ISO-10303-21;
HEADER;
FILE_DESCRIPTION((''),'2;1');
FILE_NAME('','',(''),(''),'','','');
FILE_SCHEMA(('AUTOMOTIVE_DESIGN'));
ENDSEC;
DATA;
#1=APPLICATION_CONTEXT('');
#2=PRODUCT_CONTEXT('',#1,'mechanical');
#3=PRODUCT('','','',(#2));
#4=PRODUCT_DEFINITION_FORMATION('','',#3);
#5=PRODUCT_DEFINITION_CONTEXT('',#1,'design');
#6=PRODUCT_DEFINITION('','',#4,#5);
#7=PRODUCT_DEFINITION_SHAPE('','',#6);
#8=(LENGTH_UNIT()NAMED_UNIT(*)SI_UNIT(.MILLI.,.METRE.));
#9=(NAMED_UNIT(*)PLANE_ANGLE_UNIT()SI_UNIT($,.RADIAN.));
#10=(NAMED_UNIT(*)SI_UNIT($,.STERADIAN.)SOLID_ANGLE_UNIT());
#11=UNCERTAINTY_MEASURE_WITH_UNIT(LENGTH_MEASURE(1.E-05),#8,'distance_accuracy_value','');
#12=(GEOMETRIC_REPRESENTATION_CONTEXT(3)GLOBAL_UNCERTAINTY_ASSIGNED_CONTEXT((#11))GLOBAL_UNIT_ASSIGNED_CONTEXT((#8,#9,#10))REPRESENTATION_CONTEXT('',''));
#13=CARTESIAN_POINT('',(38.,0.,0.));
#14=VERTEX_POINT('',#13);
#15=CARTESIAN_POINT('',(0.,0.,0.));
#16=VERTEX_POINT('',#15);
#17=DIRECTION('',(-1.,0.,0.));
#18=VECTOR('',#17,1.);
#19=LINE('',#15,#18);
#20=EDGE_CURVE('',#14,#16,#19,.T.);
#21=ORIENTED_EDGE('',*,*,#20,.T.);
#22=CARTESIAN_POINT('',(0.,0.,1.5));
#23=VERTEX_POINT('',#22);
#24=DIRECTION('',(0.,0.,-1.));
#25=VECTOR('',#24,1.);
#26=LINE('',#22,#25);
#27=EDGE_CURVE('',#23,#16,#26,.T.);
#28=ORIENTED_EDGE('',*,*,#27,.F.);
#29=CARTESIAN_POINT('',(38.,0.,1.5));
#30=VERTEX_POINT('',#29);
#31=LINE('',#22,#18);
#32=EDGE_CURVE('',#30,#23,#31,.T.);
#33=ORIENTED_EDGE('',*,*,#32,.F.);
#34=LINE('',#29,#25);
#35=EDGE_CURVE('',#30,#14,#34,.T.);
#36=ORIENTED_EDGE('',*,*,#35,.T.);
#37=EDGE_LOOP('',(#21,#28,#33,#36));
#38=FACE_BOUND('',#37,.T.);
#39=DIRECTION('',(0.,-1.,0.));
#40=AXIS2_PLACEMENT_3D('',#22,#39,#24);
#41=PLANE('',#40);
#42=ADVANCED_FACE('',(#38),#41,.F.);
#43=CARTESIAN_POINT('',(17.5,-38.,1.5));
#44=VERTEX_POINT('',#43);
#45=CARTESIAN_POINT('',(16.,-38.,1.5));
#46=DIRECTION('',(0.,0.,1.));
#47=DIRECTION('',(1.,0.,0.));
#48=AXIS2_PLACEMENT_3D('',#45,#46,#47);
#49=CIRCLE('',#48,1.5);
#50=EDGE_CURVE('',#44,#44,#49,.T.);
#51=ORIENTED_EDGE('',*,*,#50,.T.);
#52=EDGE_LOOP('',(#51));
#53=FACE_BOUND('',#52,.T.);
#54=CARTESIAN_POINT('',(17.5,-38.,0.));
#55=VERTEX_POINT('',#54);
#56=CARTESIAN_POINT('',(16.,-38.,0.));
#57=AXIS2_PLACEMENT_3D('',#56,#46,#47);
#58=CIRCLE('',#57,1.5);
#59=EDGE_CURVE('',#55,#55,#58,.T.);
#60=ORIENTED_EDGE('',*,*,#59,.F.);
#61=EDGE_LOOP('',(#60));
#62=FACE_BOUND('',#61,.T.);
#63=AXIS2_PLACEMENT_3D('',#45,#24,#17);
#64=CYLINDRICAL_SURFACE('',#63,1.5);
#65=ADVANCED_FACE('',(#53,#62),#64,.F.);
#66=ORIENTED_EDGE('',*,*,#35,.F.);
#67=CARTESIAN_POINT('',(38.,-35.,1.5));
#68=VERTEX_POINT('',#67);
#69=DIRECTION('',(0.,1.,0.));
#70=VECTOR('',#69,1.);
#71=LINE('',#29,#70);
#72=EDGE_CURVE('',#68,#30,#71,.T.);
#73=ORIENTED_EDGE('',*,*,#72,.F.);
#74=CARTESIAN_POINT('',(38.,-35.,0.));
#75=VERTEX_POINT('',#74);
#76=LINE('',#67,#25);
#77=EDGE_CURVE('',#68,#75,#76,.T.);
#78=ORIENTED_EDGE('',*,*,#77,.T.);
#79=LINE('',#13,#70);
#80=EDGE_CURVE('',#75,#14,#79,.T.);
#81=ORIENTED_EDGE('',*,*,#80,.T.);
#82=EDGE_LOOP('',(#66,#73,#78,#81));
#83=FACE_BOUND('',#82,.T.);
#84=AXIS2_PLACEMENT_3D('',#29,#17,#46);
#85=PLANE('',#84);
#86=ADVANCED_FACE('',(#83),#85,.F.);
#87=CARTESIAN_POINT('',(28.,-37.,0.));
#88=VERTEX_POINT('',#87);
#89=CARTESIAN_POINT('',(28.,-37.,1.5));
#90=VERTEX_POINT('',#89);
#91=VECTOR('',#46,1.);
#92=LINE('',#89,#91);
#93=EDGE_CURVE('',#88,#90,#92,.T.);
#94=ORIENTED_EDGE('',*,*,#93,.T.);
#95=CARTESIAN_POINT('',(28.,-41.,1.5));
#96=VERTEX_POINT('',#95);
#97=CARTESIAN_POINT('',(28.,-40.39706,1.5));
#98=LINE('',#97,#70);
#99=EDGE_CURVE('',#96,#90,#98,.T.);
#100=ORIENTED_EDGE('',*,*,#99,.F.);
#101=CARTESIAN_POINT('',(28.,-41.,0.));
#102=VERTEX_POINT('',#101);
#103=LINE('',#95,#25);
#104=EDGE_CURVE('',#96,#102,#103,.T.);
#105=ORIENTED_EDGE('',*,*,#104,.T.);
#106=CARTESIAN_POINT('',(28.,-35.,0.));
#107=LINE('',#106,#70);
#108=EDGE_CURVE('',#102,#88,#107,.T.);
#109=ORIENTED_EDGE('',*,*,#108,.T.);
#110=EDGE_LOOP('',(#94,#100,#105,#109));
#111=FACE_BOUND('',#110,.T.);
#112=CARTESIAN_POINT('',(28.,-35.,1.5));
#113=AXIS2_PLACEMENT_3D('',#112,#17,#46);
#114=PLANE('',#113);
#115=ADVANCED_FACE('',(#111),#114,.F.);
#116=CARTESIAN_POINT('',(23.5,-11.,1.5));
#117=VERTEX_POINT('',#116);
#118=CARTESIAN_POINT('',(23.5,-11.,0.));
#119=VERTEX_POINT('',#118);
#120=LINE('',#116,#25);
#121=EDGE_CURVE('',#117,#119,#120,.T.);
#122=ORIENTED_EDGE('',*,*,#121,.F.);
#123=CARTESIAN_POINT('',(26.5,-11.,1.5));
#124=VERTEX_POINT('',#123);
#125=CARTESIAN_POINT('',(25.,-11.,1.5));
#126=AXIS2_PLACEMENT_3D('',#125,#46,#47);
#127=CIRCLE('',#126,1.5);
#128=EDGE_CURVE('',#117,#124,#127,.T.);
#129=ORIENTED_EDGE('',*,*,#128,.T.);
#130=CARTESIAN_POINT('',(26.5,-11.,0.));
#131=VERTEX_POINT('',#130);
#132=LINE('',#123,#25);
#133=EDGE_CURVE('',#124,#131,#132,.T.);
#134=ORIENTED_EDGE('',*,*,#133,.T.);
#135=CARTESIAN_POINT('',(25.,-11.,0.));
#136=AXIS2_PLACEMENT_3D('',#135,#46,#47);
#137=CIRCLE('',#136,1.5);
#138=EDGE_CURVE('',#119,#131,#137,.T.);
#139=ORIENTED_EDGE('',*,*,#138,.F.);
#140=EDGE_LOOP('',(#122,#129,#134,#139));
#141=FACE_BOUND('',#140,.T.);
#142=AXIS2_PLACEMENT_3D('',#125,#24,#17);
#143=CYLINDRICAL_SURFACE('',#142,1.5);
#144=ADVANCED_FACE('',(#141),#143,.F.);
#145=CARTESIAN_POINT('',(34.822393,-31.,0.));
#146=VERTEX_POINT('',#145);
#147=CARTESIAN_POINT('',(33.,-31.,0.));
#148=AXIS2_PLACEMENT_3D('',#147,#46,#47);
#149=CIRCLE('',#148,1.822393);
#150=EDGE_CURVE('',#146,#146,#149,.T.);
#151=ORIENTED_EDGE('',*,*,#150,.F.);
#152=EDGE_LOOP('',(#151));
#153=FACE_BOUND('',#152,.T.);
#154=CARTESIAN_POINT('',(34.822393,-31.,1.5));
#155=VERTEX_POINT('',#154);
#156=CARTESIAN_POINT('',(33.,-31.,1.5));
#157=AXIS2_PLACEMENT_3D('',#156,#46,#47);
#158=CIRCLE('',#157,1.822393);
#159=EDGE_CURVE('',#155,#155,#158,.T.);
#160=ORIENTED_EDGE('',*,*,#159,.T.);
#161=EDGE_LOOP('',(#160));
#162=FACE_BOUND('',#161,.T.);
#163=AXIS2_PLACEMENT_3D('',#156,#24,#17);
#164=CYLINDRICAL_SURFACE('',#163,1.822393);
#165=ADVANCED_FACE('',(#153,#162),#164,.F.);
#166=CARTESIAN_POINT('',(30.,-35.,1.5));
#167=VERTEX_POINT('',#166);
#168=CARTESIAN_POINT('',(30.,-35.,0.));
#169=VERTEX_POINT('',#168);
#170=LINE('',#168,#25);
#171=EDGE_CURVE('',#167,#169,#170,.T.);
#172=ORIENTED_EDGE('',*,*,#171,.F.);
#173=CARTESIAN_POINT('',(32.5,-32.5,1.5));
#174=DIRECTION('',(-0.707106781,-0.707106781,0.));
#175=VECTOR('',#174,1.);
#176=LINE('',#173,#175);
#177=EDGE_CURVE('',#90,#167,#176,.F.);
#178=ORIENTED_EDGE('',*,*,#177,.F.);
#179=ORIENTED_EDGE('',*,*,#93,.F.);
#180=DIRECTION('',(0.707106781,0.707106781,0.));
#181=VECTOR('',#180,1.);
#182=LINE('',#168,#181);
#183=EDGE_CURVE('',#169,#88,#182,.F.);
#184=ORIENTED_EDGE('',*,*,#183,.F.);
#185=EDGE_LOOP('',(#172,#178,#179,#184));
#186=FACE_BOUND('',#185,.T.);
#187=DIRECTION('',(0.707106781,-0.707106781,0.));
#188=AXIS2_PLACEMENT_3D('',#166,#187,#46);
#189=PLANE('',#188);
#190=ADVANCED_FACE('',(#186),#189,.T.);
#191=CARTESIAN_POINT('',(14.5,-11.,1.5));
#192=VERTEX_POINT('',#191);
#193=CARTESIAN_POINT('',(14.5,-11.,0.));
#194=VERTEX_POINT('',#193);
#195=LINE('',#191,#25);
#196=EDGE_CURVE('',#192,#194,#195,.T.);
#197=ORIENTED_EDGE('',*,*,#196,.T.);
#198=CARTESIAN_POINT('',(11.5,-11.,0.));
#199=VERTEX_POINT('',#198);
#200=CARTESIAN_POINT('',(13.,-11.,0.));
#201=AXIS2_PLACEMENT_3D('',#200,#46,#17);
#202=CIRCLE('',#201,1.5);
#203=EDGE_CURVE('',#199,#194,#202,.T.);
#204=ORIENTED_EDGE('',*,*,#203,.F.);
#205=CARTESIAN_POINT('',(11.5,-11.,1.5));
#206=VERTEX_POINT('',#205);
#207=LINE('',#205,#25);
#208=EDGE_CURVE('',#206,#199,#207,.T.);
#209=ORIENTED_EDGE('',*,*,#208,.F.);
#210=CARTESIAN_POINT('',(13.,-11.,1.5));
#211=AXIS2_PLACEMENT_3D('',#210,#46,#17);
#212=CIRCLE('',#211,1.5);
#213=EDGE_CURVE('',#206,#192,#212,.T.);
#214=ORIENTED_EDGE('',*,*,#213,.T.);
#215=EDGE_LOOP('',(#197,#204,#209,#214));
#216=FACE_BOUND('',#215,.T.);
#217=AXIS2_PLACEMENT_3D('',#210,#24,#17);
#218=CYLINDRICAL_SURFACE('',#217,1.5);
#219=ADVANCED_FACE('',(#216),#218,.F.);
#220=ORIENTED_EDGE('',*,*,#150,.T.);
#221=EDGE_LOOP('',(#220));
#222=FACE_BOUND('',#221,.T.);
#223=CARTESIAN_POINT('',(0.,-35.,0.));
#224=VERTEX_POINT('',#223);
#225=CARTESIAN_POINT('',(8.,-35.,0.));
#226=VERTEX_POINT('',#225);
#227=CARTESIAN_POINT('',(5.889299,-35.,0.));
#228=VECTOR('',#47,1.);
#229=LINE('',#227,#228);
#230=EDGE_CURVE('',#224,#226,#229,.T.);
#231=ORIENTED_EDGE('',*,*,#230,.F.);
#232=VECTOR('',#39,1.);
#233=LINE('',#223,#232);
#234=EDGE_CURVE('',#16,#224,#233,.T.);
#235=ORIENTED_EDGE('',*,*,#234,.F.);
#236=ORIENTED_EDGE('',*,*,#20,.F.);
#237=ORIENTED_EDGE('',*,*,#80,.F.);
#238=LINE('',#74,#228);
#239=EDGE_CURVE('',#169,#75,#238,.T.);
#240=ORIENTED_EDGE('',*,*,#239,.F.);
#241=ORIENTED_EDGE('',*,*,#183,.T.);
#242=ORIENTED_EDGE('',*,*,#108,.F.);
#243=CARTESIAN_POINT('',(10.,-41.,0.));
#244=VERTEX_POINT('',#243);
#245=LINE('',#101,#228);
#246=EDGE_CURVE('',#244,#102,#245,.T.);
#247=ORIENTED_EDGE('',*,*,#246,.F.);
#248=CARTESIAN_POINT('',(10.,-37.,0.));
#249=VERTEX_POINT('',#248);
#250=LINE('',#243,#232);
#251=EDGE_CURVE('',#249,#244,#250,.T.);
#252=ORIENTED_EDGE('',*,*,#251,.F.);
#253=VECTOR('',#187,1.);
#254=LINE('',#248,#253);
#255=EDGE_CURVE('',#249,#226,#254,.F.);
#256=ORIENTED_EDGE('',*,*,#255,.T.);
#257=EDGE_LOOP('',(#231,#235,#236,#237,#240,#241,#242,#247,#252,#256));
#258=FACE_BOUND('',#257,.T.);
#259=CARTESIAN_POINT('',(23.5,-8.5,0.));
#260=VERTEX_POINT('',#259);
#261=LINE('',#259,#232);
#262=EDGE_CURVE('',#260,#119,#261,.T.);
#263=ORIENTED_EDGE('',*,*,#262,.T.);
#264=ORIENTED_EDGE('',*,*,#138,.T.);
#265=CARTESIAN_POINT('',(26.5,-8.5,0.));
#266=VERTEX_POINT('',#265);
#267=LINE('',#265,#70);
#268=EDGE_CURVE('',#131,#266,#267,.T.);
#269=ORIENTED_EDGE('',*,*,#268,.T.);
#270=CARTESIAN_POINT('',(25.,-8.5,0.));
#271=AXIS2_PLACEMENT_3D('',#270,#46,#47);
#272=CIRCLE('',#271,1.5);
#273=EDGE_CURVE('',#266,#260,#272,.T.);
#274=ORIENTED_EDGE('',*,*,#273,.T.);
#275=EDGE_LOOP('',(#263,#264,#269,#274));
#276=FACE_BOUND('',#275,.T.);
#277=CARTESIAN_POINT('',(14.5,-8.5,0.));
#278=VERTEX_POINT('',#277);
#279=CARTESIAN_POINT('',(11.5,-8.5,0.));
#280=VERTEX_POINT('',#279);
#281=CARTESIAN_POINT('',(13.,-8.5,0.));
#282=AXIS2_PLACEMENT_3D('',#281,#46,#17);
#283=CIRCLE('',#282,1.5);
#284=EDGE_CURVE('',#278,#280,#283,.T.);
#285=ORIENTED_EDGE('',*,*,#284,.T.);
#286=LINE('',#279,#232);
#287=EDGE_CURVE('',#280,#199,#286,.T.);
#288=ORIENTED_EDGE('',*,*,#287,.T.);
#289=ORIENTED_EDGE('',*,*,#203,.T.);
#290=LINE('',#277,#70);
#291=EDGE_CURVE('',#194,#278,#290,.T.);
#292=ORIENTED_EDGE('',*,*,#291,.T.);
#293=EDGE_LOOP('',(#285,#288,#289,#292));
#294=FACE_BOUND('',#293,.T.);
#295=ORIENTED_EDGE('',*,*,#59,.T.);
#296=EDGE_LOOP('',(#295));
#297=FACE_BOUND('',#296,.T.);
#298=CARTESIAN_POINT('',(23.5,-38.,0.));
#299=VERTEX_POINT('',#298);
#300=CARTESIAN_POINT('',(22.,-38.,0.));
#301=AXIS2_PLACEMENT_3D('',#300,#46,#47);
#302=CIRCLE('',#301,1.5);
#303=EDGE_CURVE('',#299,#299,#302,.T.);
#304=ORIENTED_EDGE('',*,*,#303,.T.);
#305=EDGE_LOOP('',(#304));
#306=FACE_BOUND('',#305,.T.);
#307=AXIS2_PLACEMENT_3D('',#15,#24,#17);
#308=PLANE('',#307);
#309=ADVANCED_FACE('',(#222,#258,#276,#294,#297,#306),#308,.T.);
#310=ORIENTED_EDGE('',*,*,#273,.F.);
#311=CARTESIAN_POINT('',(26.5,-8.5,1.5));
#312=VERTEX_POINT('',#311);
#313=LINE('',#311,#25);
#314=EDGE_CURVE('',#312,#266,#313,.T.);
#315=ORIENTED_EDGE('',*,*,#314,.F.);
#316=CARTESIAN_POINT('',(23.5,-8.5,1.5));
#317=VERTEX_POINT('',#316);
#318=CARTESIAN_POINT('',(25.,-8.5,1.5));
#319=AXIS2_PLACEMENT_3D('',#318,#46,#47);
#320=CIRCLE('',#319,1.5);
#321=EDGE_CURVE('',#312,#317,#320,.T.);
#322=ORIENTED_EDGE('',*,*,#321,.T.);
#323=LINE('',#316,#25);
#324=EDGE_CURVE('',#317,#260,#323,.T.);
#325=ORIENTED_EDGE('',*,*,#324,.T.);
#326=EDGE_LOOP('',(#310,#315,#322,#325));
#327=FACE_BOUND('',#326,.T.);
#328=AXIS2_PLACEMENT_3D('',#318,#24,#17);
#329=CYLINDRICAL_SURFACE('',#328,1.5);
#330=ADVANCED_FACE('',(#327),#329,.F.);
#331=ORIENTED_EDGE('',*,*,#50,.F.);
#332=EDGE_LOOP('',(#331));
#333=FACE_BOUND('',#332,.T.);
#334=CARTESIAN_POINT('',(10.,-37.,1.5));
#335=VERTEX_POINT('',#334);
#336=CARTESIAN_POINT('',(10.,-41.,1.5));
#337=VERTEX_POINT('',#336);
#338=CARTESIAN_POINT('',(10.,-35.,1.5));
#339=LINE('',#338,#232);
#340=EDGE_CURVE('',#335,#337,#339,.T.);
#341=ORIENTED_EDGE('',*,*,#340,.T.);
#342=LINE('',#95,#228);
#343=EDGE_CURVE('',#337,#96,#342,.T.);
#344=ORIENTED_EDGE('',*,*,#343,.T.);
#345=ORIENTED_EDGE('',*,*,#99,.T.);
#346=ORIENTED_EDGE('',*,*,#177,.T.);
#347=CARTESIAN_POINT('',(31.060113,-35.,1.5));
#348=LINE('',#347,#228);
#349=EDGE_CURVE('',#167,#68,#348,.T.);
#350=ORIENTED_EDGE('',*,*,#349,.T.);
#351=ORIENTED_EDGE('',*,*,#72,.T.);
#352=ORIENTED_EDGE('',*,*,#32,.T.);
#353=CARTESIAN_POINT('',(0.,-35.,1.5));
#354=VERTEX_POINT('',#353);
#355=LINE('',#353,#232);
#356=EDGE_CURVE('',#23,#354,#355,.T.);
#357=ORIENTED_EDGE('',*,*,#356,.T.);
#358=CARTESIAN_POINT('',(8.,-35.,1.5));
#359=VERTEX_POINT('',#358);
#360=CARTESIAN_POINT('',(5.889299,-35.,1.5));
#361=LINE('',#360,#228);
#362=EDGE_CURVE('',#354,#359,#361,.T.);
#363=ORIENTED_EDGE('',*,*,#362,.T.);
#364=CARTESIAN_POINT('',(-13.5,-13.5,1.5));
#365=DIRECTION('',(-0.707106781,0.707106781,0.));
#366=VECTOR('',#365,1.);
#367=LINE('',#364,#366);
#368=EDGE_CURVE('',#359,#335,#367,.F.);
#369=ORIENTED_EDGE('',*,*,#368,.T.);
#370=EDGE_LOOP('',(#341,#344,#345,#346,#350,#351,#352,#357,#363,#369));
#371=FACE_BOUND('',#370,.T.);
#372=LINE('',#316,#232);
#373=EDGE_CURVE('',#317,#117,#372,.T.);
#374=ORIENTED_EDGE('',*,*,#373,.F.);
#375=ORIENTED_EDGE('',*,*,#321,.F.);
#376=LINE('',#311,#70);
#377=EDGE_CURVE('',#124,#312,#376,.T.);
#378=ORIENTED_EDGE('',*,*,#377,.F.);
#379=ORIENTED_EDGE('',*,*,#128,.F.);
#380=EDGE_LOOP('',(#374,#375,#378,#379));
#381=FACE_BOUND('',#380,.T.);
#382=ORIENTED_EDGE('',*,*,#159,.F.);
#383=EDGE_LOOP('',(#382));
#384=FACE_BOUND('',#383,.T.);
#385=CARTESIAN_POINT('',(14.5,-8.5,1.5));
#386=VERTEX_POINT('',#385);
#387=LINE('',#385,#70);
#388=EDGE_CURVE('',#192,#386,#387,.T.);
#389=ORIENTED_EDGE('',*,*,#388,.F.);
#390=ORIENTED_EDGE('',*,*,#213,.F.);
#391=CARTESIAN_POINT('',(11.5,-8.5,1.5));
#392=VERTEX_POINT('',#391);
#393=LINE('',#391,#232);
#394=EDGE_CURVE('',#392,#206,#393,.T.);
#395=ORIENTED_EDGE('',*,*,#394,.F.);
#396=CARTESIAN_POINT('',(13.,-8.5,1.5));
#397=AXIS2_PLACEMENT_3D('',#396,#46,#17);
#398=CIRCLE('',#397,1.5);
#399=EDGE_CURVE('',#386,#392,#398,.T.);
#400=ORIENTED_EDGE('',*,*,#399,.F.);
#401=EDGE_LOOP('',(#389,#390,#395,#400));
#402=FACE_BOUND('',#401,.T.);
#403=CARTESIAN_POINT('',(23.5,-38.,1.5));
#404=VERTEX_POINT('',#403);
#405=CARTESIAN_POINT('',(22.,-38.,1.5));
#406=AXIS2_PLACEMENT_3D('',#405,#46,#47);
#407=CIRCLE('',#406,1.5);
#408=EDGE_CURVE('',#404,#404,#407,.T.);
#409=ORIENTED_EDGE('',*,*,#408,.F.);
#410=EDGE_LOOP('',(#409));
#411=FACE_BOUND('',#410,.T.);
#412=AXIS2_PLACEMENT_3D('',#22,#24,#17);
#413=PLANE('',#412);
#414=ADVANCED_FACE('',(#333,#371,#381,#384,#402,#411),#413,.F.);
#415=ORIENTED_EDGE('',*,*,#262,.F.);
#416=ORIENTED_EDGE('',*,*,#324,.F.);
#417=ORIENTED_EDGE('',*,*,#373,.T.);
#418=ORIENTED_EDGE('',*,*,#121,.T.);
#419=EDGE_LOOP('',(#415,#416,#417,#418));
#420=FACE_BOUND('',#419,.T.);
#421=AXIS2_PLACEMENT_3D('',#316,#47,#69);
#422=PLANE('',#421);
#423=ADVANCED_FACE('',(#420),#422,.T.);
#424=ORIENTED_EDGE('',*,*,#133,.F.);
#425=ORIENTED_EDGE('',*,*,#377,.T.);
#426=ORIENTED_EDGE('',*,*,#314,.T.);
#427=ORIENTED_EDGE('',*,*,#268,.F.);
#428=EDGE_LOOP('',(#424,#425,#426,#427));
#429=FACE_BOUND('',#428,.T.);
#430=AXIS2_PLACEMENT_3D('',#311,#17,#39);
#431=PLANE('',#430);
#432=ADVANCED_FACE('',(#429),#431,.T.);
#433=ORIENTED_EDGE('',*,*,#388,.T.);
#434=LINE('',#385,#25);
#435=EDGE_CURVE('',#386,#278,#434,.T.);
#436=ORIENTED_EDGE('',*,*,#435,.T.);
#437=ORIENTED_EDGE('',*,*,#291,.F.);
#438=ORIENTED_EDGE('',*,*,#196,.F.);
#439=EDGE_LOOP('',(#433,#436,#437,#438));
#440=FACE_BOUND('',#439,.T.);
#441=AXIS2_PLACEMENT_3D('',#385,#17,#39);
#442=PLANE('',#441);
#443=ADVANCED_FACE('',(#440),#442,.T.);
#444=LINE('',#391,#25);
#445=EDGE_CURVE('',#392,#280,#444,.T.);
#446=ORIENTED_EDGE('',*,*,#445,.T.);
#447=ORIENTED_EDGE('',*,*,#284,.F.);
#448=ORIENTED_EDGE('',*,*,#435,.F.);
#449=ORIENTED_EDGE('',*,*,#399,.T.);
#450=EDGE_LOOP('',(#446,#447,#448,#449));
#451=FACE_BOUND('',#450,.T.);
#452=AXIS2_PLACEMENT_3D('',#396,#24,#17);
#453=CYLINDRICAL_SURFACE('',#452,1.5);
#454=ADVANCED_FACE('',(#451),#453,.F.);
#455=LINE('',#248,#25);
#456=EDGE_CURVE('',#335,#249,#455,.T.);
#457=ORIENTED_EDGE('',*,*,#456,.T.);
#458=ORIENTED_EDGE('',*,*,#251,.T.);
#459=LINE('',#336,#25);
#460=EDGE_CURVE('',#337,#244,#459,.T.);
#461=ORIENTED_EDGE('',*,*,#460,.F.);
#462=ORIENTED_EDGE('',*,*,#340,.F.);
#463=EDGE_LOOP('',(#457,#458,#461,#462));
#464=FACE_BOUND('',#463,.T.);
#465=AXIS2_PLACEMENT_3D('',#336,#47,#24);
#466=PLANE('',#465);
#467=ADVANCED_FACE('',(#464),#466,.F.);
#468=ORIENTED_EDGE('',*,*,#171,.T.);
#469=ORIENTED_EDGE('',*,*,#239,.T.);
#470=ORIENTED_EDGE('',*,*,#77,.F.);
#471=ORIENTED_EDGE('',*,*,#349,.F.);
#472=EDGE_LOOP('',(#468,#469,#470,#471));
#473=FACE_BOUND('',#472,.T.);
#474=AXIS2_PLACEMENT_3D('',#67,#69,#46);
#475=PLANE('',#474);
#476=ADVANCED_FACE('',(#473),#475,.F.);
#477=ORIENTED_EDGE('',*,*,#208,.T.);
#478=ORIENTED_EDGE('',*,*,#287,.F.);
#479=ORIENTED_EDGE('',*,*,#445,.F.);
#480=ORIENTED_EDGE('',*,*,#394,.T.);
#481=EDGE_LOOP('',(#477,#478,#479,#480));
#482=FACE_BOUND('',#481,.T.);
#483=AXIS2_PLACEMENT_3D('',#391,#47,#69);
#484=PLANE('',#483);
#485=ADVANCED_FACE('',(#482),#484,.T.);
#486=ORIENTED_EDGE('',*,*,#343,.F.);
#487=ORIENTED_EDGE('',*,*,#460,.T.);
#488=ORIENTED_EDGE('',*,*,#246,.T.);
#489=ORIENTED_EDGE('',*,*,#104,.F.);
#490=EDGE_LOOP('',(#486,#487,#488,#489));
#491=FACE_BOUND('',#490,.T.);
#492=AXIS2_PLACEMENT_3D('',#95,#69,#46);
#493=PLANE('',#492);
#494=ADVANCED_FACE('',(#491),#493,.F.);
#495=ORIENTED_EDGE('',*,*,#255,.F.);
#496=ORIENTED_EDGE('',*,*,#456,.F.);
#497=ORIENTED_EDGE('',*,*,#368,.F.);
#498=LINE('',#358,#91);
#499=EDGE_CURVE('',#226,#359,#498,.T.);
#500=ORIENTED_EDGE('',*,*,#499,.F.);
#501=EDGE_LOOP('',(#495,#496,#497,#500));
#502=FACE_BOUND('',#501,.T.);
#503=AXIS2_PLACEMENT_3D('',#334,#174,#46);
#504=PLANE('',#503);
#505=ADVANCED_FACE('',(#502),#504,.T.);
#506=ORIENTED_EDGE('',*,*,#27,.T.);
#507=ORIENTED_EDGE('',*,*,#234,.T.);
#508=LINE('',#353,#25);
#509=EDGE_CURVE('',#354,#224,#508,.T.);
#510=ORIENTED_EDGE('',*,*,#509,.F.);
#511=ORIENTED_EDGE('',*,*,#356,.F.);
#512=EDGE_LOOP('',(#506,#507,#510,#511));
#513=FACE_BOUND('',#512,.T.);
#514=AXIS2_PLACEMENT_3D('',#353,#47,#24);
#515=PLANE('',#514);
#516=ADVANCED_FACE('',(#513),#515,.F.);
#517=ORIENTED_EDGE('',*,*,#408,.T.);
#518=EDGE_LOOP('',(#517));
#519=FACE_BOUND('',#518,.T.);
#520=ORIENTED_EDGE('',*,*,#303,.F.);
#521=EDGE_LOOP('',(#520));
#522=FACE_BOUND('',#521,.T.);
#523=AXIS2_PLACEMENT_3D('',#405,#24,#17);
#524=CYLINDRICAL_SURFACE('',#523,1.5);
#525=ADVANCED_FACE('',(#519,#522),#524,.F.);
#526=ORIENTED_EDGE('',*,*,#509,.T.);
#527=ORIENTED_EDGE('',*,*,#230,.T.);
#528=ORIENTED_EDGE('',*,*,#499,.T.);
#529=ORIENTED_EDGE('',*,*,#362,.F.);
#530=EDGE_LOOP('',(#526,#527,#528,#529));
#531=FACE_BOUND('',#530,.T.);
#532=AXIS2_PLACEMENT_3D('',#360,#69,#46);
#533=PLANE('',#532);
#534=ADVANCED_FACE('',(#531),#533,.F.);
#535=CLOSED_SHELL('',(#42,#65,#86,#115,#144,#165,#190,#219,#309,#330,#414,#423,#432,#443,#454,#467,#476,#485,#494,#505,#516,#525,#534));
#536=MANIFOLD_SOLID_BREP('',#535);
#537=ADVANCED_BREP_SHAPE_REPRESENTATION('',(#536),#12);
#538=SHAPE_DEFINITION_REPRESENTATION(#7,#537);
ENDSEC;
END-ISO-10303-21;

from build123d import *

# Parameters (mm, degrees)
SZKIC1_R                    = 1.5
SZKIC1_R_2                  = 1.822392888
DODANIE_WYCI_GNI_CIE1_DEPTH = 1.5
SFAZOWANIE1_SIZE            = 2


with BuildPart() as part:
    # Szkic1 → Dodanie-wyciągnięcie1 (new body)
    with BuildSketch(Plane.XY):
        Polygon((0, 0), (38, 0), (38, -35), (31.060112688, -35), (28, -35), (28, -40.397059959), (28, -41), (10, -41), (10, -40.699902364), (10, -35), (5.889298893, -35), (0, -35), align=None)
        with Locations((16, -38)):
            Circle(SZKIC1_R, mode=Mode.SUBTRACT)
        with Locations((22, -38)):
            Circle(SZKIC1_R, mode=Mode.SUBTRACT)
        with Locations((33, -31)):
            Circle(SZKIC1_R_2, mode=Mode.SUBTRACT)
        with BuildLine():
            Line((26.5, -8.5), (26.5, -11))
            ThreePointArc((26.5, -11), (25, -12.5), (23.5, -11))
            Line((23.5, -11), (23.5, -8.5))
            ThreePointArc((23.5, -8.5), (25, -7), (26.5, -8.5))
        make_face(mode=Mode.SUBTRACT)
        with BuildLine():
            Line((11.5, -8.5), (11.5, -11))
            ThreePointArc((11.5, -11), (13, -12.5), (14.5, -11))
            Line((14.5, -11), (14.5, -8.5))
            ThreePointArc((14.5, -8.5), (13, -7), (11.5, -8.5))
        make_face(mode=Mode.SUBTRACT)
    extrude(amount=DODANIE_WYCI_GNI_CIE1_DEPTH)

    # Sfazowanie1
    sfazowanie1_edges = [part.edges().sort_by_distance(p)[0] for p in [
        (28, -35, 0.75),
        (10, -35, 0.75),
    ]]
    chamfer(sfazowanie1_edges, length=SFAZOWANIE1_SIZE)


solid = part.part
